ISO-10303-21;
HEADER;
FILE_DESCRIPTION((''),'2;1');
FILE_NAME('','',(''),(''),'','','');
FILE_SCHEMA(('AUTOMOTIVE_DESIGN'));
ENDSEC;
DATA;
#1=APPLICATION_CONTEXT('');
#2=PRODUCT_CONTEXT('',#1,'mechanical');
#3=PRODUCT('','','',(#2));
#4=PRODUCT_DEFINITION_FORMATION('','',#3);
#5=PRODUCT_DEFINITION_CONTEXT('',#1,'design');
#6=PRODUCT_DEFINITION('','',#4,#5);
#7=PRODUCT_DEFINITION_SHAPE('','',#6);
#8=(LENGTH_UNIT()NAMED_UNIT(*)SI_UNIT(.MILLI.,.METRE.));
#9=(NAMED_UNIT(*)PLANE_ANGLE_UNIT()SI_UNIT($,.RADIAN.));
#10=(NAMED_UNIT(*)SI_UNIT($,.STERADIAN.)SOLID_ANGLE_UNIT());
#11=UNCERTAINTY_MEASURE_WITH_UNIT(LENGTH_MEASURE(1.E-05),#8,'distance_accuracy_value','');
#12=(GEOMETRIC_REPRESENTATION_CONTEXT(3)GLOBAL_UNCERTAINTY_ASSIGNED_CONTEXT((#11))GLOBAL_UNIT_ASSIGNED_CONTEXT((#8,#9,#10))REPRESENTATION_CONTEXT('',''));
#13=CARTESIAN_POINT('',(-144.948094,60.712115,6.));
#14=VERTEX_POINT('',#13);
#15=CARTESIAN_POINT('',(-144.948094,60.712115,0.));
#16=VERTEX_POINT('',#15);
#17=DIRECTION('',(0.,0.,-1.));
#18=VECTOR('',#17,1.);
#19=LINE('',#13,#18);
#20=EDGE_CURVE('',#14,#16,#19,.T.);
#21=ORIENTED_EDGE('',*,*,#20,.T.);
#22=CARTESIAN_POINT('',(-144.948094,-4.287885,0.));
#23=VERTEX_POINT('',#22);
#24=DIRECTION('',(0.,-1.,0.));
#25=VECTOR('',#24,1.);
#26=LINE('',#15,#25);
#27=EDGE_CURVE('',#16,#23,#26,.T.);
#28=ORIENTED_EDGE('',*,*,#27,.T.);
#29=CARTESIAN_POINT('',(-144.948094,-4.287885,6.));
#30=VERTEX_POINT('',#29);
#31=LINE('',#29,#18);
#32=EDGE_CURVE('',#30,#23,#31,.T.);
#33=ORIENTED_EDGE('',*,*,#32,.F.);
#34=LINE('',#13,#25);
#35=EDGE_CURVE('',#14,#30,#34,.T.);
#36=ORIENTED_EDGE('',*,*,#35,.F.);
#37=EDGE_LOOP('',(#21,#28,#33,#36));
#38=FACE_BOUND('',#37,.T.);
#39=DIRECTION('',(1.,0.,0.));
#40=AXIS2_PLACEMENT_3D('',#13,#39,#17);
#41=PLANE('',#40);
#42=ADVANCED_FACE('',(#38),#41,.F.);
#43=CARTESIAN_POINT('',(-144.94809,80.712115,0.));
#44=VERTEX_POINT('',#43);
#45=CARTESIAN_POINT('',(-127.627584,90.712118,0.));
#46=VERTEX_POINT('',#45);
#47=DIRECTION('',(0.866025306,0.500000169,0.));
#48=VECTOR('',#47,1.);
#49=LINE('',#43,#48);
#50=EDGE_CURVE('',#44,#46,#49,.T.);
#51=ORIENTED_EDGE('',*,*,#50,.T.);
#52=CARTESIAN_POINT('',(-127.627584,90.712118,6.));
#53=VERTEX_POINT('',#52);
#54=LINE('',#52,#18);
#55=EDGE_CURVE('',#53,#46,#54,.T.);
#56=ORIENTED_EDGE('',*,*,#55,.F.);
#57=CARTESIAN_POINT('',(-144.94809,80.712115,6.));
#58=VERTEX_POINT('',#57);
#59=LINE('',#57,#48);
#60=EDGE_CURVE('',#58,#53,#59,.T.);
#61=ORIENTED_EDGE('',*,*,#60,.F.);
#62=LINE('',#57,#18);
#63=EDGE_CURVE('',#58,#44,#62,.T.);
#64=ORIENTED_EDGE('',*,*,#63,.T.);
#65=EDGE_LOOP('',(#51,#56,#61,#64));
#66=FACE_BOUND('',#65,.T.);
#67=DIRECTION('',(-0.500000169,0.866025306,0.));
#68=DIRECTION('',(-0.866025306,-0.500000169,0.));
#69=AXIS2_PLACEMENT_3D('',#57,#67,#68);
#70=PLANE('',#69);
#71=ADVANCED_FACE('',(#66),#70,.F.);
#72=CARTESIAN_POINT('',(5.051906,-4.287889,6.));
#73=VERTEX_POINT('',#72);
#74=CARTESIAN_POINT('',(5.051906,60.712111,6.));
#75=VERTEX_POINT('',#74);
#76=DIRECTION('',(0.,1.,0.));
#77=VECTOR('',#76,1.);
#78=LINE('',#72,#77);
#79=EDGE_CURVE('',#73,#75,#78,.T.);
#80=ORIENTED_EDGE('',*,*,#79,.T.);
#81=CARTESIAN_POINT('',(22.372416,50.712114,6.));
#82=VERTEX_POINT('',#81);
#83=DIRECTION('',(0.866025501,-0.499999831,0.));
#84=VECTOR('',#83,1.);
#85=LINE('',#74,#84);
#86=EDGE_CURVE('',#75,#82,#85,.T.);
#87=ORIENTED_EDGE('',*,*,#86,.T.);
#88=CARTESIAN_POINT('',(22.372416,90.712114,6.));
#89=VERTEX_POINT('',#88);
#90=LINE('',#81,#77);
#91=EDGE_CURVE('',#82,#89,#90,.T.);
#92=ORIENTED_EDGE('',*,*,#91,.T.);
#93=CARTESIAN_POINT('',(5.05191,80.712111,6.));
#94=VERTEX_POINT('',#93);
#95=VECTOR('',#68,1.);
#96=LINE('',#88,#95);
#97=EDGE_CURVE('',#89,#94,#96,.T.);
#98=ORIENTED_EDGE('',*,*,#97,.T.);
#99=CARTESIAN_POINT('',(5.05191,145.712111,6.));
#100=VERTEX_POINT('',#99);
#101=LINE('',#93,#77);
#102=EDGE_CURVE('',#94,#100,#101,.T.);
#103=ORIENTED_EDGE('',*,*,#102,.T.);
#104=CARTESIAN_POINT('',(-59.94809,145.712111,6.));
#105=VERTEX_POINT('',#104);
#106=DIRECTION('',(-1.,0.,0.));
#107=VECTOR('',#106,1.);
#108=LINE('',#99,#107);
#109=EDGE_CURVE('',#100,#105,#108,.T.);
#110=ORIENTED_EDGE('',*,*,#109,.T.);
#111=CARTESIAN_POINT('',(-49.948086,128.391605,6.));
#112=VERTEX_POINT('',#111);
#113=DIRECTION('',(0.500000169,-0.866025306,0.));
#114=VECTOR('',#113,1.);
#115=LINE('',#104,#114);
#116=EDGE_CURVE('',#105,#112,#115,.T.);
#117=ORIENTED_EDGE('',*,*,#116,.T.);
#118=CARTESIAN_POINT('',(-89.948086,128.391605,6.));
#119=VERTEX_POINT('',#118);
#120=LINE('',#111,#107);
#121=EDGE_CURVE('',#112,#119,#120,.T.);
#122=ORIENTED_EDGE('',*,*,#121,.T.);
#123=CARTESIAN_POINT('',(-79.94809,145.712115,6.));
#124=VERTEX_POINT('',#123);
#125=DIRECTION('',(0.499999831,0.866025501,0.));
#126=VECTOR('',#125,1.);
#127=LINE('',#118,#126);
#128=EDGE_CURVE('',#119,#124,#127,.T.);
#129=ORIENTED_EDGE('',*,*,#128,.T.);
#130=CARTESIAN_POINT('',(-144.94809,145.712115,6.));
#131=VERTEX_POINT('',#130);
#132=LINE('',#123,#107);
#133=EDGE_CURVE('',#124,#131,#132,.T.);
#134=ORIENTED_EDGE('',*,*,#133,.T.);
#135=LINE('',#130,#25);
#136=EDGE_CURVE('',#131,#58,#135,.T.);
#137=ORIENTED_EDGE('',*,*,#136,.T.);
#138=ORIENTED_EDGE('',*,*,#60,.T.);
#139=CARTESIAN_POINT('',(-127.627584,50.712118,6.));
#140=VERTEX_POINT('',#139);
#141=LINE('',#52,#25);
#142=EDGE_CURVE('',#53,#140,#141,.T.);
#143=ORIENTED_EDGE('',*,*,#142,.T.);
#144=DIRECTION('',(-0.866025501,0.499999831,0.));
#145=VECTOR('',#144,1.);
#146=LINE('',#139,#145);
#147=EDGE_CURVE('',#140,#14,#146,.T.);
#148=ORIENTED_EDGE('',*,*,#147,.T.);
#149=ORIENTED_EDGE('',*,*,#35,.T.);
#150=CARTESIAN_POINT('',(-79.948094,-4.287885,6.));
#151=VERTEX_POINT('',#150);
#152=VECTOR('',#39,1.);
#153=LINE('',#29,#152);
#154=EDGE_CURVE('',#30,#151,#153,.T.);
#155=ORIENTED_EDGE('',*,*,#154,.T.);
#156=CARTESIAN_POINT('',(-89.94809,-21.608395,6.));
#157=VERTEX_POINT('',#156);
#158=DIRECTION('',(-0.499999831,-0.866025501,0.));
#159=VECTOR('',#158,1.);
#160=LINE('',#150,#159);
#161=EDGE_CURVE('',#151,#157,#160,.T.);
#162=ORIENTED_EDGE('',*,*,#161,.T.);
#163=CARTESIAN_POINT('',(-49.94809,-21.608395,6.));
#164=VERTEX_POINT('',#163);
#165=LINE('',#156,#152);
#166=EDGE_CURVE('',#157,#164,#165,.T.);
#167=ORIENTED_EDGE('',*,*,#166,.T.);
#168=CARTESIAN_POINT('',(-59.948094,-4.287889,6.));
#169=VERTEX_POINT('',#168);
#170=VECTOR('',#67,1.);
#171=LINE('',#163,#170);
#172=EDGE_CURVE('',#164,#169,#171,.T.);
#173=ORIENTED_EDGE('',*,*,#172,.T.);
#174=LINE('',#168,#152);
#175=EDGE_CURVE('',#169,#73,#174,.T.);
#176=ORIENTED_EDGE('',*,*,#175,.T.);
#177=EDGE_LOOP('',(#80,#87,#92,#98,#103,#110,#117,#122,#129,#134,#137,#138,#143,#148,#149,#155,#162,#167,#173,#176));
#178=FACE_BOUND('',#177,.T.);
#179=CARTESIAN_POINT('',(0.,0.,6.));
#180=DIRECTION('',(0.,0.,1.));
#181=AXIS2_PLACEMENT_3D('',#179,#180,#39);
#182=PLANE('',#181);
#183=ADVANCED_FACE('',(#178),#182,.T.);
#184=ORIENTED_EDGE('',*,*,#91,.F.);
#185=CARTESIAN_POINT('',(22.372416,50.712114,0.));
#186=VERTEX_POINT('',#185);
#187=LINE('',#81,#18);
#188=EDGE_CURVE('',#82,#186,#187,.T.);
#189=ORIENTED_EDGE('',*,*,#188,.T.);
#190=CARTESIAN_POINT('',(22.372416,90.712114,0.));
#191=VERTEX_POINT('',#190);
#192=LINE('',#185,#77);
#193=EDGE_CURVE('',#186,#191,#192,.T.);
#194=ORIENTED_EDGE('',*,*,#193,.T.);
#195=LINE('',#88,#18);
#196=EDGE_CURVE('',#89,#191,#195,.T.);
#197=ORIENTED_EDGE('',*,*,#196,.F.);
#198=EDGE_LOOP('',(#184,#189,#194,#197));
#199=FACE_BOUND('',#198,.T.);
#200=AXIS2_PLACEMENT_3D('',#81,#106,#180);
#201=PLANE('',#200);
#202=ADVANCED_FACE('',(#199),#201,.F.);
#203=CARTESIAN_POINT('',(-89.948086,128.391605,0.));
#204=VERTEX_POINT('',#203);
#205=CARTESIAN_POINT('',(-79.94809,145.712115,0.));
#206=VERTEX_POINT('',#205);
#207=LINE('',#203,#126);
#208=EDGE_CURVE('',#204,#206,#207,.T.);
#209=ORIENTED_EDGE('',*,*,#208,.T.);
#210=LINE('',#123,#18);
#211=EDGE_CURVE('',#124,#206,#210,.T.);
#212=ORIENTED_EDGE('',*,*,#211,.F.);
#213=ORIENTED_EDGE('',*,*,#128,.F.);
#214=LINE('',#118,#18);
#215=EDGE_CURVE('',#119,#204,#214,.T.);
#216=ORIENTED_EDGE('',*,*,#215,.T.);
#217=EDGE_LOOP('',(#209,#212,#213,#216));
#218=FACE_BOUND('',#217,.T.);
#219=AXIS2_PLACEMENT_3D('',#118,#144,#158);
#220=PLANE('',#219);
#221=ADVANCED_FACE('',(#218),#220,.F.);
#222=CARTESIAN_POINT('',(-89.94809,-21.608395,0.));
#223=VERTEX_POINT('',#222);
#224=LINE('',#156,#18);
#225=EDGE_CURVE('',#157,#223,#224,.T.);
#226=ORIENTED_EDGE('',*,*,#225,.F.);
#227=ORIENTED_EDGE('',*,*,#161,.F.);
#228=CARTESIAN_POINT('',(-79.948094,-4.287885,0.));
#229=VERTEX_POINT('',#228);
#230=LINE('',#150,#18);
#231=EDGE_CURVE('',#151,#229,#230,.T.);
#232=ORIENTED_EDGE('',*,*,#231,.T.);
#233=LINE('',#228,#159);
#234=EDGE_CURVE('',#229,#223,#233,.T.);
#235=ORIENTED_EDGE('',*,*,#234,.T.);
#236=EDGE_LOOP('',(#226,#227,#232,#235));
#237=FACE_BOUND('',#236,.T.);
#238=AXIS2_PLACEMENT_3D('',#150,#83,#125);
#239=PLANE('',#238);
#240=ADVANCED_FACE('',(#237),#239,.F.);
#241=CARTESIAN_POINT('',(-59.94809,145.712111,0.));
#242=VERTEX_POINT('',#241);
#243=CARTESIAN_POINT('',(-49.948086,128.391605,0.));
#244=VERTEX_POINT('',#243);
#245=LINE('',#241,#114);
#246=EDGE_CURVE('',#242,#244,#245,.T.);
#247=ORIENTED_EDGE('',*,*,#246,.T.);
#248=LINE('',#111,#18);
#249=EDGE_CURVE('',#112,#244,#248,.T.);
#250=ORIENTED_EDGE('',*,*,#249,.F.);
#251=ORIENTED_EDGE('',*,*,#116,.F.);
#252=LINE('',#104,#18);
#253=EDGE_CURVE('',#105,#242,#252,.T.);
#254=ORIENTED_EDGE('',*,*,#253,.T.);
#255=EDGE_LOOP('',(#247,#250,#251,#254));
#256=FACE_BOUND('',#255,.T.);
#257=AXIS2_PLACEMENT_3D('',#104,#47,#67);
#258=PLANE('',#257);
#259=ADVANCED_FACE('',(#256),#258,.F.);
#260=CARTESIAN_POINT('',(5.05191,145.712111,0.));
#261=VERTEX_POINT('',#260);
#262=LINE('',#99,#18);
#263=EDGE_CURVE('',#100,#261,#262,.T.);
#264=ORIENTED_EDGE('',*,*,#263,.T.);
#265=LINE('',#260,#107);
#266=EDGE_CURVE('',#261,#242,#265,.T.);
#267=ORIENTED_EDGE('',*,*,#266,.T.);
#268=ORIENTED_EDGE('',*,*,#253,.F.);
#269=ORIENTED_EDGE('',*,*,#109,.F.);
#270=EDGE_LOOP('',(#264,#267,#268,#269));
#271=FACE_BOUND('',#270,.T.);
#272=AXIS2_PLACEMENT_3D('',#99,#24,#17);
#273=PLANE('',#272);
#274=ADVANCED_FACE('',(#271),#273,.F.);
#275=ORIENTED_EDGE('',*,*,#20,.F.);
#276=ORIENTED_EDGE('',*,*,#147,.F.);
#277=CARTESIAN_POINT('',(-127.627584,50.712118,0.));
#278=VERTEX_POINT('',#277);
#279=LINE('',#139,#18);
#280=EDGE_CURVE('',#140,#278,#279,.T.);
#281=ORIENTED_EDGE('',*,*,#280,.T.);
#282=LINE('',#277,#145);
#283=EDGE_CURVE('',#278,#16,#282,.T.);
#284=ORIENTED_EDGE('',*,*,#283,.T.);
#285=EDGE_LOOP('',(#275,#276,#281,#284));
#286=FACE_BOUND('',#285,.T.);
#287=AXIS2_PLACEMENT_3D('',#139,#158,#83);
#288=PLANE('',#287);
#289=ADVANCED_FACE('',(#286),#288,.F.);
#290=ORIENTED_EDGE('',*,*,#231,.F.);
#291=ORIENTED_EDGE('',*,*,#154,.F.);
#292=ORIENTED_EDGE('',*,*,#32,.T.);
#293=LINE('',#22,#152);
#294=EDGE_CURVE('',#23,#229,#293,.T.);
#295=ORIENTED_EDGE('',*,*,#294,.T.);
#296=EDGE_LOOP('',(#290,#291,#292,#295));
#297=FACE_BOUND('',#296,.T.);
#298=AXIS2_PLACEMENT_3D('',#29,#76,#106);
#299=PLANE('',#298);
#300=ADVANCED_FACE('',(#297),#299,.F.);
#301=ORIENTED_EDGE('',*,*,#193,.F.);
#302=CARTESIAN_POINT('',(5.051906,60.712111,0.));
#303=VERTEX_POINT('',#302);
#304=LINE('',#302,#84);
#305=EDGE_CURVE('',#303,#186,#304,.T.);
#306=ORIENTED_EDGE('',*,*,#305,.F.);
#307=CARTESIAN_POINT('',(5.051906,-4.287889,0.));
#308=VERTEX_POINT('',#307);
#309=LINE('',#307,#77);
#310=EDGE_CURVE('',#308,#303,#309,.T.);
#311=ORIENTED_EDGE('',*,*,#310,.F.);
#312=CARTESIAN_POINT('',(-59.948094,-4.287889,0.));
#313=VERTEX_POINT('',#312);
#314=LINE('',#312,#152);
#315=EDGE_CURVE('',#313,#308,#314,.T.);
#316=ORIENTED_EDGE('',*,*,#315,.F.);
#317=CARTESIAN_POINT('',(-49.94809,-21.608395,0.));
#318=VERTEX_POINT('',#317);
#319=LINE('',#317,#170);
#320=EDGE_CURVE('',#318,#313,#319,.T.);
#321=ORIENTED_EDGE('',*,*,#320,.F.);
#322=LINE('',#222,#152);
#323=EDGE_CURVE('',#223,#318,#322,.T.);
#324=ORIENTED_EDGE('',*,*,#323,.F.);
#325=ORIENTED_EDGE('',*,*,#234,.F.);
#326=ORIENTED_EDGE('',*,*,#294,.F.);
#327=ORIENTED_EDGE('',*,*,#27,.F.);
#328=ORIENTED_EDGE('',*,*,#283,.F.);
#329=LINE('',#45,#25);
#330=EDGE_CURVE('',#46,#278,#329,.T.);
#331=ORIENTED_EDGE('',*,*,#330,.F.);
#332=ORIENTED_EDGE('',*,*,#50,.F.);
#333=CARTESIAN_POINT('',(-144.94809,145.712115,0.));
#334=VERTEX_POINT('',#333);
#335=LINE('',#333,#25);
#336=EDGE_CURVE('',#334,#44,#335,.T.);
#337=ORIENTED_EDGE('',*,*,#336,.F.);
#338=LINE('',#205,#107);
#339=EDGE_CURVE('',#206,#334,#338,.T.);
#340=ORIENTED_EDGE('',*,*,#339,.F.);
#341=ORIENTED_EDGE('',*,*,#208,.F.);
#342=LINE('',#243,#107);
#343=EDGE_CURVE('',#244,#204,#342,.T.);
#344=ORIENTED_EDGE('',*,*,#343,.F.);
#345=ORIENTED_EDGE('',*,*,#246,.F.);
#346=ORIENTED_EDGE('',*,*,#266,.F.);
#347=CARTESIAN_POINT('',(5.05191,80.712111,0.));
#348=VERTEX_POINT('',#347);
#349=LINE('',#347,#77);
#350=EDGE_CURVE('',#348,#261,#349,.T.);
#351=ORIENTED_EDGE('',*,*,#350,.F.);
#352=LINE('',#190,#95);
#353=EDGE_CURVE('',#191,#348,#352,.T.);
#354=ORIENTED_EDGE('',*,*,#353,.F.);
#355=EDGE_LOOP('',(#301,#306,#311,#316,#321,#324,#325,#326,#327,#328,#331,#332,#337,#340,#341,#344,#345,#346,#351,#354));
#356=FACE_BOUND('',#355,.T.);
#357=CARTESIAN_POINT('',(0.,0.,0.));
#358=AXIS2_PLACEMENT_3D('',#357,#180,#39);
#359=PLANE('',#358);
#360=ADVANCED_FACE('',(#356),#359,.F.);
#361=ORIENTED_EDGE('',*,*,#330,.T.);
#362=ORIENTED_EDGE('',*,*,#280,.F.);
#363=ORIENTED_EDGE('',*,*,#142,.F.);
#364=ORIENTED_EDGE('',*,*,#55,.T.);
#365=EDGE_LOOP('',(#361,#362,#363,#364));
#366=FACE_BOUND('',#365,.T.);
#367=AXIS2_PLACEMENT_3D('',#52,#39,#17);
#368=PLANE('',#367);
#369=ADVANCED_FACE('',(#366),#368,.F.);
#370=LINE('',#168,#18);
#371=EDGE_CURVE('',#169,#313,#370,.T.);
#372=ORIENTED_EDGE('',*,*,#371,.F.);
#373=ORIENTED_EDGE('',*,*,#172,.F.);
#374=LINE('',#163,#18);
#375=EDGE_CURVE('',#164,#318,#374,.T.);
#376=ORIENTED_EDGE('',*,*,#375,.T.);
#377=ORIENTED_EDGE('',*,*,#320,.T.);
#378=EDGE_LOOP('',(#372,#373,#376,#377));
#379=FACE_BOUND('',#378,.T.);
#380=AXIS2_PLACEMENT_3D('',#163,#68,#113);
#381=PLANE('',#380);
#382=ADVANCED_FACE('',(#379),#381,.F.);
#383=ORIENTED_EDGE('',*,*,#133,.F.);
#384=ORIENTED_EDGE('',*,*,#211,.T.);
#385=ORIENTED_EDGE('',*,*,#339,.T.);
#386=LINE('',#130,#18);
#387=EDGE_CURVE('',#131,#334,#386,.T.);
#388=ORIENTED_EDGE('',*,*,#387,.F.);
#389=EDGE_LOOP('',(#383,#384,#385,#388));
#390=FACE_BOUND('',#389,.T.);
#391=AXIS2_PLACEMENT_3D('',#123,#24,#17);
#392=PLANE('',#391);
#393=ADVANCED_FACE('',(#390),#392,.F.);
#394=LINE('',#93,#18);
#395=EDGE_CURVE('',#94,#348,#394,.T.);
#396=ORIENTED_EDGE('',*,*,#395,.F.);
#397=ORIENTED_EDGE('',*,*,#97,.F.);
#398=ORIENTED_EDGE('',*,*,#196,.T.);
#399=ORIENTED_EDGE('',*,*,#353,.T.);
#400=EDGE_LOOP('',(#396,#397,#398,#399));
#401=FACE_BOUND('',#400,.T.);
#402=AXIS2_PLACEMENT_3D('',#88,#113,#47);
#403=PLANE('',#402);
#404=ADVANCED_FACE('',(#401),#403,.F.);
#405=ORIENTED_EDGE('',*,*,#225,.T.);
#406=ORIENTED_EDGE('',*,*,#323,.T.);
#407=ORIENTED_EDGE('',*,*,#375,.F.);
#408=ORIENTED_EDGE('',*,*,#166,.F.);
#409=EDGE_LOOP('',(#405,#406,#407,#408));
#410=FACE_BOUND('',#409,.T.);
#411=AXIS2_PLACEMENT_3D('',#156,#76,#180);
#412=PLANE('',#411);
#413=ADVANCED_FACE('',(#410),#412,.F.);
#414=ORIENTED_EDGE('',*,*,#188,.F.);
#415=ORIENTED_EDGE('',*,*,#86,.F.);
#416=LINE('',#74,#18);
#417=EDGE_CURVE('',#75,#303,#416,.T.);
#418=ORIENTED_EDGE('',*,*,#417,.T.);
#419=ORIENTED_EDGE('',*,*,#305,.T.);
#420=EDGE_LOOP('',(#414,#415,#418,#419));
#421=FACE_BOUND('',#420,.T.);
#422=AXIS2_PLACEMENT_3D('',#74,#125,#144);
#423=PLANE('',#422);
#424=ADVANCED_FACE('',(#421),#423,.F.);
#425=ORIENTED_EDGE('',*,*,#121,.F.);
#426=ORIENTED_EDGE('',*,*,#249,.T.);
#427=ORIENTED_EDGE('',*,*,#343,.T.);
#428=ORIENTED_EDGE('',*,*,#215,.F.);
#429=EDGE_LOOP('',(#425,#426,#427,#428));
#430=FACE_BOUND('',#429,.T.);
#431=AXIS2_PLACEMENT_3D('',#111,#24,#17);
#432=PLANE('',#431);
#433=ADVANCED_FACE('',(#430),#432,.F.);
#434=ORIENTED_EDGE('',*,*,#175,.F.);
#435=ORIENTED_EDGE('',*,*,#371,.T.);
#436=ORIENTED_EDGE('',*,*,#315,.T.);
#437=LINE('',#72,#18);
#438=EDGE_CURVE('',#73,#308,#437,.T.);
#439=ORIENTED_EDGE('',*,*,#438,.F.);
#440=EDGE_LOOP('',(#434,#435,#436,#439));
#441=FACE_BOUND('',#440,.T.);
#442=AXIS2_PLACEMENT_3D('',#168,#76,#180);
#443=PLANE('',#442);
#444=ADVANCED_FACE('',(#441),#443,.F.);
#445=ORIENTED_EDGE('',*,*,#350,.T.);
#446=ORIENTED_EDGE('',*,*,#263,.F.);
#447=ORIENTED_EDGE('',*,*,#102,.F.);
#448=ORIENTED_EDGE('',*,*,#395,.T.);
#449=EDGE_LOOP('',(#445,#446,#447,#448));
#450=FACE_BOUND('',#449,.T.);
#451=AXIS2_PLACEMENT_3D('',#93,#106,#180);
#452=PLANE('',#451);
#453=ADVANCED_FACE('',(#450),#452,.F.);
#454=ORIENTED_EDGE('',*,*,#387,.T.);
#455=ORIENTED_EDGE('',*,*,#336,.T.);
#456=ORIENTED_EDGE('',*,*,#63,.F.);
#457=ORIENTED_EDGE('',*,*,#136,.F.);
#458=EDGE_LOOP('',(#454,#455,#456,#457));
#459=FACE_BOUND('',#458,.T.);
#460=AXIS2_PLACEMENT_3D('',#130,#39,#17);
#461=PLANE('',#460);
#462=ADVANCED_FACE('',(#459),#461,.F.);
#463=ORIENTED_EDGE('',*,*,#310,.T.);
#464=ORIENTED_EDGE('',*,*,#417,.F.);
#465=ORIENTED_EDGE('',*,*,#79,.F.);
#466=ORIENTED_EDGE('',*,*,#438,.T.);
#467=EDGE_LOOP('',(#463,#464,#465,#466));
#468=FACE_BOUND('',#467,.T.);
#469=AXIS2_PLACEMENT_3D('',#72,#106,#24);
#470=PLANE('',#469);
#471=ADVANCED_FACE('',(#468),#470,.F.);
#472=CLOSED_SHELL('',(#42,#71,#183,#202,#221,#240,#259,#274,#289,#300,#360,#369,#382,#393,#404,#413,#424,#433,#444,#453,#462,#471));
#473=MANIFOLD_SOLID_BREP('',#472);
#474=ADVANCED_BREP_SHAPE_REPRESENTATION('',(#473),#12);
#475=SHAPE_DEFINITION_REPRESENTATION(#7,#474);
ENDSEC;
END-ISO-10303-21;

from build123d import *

# Parameters (mm, degrees)
BOSS_EXTRU_1_DEPTH = 6


with BuildPart() as part:
    # Esquisse1 → Boss.-Extru.1 (new body)
    with BuildSketch(Plane.XY):
        Polygon((-89.948090186, -21.608395358), (-49.948090186, -21.608395358), (-59.948093565, -4.287889233), (5.051906435, -4.287889233), (5.051906435, 60.712110767), (22.372416462, 50.712114146), (22.372416462, 90.712114146), (5.051910337, 80.712110767), (5.051910337, 145.712110767), (-59.948089663, 145.712110767), (-49.948086283, 128.391604642), (-89.948086283, 128.391604642), (-79.948089663, 145.712114669), (-144.948089663, 145.712114669), (-144.948089663, 80.712114669), (-127.627583538, 90.712118048), (-127.627583538, 50.712118048), (-144.948093565, 60.712114669), (-144.948093565, -4.287885331), (-79.948093565, -4.287885331), align=None)
    extrude(amount=BOSS_EXTRU_1_DEPTH)


solid = part.part
